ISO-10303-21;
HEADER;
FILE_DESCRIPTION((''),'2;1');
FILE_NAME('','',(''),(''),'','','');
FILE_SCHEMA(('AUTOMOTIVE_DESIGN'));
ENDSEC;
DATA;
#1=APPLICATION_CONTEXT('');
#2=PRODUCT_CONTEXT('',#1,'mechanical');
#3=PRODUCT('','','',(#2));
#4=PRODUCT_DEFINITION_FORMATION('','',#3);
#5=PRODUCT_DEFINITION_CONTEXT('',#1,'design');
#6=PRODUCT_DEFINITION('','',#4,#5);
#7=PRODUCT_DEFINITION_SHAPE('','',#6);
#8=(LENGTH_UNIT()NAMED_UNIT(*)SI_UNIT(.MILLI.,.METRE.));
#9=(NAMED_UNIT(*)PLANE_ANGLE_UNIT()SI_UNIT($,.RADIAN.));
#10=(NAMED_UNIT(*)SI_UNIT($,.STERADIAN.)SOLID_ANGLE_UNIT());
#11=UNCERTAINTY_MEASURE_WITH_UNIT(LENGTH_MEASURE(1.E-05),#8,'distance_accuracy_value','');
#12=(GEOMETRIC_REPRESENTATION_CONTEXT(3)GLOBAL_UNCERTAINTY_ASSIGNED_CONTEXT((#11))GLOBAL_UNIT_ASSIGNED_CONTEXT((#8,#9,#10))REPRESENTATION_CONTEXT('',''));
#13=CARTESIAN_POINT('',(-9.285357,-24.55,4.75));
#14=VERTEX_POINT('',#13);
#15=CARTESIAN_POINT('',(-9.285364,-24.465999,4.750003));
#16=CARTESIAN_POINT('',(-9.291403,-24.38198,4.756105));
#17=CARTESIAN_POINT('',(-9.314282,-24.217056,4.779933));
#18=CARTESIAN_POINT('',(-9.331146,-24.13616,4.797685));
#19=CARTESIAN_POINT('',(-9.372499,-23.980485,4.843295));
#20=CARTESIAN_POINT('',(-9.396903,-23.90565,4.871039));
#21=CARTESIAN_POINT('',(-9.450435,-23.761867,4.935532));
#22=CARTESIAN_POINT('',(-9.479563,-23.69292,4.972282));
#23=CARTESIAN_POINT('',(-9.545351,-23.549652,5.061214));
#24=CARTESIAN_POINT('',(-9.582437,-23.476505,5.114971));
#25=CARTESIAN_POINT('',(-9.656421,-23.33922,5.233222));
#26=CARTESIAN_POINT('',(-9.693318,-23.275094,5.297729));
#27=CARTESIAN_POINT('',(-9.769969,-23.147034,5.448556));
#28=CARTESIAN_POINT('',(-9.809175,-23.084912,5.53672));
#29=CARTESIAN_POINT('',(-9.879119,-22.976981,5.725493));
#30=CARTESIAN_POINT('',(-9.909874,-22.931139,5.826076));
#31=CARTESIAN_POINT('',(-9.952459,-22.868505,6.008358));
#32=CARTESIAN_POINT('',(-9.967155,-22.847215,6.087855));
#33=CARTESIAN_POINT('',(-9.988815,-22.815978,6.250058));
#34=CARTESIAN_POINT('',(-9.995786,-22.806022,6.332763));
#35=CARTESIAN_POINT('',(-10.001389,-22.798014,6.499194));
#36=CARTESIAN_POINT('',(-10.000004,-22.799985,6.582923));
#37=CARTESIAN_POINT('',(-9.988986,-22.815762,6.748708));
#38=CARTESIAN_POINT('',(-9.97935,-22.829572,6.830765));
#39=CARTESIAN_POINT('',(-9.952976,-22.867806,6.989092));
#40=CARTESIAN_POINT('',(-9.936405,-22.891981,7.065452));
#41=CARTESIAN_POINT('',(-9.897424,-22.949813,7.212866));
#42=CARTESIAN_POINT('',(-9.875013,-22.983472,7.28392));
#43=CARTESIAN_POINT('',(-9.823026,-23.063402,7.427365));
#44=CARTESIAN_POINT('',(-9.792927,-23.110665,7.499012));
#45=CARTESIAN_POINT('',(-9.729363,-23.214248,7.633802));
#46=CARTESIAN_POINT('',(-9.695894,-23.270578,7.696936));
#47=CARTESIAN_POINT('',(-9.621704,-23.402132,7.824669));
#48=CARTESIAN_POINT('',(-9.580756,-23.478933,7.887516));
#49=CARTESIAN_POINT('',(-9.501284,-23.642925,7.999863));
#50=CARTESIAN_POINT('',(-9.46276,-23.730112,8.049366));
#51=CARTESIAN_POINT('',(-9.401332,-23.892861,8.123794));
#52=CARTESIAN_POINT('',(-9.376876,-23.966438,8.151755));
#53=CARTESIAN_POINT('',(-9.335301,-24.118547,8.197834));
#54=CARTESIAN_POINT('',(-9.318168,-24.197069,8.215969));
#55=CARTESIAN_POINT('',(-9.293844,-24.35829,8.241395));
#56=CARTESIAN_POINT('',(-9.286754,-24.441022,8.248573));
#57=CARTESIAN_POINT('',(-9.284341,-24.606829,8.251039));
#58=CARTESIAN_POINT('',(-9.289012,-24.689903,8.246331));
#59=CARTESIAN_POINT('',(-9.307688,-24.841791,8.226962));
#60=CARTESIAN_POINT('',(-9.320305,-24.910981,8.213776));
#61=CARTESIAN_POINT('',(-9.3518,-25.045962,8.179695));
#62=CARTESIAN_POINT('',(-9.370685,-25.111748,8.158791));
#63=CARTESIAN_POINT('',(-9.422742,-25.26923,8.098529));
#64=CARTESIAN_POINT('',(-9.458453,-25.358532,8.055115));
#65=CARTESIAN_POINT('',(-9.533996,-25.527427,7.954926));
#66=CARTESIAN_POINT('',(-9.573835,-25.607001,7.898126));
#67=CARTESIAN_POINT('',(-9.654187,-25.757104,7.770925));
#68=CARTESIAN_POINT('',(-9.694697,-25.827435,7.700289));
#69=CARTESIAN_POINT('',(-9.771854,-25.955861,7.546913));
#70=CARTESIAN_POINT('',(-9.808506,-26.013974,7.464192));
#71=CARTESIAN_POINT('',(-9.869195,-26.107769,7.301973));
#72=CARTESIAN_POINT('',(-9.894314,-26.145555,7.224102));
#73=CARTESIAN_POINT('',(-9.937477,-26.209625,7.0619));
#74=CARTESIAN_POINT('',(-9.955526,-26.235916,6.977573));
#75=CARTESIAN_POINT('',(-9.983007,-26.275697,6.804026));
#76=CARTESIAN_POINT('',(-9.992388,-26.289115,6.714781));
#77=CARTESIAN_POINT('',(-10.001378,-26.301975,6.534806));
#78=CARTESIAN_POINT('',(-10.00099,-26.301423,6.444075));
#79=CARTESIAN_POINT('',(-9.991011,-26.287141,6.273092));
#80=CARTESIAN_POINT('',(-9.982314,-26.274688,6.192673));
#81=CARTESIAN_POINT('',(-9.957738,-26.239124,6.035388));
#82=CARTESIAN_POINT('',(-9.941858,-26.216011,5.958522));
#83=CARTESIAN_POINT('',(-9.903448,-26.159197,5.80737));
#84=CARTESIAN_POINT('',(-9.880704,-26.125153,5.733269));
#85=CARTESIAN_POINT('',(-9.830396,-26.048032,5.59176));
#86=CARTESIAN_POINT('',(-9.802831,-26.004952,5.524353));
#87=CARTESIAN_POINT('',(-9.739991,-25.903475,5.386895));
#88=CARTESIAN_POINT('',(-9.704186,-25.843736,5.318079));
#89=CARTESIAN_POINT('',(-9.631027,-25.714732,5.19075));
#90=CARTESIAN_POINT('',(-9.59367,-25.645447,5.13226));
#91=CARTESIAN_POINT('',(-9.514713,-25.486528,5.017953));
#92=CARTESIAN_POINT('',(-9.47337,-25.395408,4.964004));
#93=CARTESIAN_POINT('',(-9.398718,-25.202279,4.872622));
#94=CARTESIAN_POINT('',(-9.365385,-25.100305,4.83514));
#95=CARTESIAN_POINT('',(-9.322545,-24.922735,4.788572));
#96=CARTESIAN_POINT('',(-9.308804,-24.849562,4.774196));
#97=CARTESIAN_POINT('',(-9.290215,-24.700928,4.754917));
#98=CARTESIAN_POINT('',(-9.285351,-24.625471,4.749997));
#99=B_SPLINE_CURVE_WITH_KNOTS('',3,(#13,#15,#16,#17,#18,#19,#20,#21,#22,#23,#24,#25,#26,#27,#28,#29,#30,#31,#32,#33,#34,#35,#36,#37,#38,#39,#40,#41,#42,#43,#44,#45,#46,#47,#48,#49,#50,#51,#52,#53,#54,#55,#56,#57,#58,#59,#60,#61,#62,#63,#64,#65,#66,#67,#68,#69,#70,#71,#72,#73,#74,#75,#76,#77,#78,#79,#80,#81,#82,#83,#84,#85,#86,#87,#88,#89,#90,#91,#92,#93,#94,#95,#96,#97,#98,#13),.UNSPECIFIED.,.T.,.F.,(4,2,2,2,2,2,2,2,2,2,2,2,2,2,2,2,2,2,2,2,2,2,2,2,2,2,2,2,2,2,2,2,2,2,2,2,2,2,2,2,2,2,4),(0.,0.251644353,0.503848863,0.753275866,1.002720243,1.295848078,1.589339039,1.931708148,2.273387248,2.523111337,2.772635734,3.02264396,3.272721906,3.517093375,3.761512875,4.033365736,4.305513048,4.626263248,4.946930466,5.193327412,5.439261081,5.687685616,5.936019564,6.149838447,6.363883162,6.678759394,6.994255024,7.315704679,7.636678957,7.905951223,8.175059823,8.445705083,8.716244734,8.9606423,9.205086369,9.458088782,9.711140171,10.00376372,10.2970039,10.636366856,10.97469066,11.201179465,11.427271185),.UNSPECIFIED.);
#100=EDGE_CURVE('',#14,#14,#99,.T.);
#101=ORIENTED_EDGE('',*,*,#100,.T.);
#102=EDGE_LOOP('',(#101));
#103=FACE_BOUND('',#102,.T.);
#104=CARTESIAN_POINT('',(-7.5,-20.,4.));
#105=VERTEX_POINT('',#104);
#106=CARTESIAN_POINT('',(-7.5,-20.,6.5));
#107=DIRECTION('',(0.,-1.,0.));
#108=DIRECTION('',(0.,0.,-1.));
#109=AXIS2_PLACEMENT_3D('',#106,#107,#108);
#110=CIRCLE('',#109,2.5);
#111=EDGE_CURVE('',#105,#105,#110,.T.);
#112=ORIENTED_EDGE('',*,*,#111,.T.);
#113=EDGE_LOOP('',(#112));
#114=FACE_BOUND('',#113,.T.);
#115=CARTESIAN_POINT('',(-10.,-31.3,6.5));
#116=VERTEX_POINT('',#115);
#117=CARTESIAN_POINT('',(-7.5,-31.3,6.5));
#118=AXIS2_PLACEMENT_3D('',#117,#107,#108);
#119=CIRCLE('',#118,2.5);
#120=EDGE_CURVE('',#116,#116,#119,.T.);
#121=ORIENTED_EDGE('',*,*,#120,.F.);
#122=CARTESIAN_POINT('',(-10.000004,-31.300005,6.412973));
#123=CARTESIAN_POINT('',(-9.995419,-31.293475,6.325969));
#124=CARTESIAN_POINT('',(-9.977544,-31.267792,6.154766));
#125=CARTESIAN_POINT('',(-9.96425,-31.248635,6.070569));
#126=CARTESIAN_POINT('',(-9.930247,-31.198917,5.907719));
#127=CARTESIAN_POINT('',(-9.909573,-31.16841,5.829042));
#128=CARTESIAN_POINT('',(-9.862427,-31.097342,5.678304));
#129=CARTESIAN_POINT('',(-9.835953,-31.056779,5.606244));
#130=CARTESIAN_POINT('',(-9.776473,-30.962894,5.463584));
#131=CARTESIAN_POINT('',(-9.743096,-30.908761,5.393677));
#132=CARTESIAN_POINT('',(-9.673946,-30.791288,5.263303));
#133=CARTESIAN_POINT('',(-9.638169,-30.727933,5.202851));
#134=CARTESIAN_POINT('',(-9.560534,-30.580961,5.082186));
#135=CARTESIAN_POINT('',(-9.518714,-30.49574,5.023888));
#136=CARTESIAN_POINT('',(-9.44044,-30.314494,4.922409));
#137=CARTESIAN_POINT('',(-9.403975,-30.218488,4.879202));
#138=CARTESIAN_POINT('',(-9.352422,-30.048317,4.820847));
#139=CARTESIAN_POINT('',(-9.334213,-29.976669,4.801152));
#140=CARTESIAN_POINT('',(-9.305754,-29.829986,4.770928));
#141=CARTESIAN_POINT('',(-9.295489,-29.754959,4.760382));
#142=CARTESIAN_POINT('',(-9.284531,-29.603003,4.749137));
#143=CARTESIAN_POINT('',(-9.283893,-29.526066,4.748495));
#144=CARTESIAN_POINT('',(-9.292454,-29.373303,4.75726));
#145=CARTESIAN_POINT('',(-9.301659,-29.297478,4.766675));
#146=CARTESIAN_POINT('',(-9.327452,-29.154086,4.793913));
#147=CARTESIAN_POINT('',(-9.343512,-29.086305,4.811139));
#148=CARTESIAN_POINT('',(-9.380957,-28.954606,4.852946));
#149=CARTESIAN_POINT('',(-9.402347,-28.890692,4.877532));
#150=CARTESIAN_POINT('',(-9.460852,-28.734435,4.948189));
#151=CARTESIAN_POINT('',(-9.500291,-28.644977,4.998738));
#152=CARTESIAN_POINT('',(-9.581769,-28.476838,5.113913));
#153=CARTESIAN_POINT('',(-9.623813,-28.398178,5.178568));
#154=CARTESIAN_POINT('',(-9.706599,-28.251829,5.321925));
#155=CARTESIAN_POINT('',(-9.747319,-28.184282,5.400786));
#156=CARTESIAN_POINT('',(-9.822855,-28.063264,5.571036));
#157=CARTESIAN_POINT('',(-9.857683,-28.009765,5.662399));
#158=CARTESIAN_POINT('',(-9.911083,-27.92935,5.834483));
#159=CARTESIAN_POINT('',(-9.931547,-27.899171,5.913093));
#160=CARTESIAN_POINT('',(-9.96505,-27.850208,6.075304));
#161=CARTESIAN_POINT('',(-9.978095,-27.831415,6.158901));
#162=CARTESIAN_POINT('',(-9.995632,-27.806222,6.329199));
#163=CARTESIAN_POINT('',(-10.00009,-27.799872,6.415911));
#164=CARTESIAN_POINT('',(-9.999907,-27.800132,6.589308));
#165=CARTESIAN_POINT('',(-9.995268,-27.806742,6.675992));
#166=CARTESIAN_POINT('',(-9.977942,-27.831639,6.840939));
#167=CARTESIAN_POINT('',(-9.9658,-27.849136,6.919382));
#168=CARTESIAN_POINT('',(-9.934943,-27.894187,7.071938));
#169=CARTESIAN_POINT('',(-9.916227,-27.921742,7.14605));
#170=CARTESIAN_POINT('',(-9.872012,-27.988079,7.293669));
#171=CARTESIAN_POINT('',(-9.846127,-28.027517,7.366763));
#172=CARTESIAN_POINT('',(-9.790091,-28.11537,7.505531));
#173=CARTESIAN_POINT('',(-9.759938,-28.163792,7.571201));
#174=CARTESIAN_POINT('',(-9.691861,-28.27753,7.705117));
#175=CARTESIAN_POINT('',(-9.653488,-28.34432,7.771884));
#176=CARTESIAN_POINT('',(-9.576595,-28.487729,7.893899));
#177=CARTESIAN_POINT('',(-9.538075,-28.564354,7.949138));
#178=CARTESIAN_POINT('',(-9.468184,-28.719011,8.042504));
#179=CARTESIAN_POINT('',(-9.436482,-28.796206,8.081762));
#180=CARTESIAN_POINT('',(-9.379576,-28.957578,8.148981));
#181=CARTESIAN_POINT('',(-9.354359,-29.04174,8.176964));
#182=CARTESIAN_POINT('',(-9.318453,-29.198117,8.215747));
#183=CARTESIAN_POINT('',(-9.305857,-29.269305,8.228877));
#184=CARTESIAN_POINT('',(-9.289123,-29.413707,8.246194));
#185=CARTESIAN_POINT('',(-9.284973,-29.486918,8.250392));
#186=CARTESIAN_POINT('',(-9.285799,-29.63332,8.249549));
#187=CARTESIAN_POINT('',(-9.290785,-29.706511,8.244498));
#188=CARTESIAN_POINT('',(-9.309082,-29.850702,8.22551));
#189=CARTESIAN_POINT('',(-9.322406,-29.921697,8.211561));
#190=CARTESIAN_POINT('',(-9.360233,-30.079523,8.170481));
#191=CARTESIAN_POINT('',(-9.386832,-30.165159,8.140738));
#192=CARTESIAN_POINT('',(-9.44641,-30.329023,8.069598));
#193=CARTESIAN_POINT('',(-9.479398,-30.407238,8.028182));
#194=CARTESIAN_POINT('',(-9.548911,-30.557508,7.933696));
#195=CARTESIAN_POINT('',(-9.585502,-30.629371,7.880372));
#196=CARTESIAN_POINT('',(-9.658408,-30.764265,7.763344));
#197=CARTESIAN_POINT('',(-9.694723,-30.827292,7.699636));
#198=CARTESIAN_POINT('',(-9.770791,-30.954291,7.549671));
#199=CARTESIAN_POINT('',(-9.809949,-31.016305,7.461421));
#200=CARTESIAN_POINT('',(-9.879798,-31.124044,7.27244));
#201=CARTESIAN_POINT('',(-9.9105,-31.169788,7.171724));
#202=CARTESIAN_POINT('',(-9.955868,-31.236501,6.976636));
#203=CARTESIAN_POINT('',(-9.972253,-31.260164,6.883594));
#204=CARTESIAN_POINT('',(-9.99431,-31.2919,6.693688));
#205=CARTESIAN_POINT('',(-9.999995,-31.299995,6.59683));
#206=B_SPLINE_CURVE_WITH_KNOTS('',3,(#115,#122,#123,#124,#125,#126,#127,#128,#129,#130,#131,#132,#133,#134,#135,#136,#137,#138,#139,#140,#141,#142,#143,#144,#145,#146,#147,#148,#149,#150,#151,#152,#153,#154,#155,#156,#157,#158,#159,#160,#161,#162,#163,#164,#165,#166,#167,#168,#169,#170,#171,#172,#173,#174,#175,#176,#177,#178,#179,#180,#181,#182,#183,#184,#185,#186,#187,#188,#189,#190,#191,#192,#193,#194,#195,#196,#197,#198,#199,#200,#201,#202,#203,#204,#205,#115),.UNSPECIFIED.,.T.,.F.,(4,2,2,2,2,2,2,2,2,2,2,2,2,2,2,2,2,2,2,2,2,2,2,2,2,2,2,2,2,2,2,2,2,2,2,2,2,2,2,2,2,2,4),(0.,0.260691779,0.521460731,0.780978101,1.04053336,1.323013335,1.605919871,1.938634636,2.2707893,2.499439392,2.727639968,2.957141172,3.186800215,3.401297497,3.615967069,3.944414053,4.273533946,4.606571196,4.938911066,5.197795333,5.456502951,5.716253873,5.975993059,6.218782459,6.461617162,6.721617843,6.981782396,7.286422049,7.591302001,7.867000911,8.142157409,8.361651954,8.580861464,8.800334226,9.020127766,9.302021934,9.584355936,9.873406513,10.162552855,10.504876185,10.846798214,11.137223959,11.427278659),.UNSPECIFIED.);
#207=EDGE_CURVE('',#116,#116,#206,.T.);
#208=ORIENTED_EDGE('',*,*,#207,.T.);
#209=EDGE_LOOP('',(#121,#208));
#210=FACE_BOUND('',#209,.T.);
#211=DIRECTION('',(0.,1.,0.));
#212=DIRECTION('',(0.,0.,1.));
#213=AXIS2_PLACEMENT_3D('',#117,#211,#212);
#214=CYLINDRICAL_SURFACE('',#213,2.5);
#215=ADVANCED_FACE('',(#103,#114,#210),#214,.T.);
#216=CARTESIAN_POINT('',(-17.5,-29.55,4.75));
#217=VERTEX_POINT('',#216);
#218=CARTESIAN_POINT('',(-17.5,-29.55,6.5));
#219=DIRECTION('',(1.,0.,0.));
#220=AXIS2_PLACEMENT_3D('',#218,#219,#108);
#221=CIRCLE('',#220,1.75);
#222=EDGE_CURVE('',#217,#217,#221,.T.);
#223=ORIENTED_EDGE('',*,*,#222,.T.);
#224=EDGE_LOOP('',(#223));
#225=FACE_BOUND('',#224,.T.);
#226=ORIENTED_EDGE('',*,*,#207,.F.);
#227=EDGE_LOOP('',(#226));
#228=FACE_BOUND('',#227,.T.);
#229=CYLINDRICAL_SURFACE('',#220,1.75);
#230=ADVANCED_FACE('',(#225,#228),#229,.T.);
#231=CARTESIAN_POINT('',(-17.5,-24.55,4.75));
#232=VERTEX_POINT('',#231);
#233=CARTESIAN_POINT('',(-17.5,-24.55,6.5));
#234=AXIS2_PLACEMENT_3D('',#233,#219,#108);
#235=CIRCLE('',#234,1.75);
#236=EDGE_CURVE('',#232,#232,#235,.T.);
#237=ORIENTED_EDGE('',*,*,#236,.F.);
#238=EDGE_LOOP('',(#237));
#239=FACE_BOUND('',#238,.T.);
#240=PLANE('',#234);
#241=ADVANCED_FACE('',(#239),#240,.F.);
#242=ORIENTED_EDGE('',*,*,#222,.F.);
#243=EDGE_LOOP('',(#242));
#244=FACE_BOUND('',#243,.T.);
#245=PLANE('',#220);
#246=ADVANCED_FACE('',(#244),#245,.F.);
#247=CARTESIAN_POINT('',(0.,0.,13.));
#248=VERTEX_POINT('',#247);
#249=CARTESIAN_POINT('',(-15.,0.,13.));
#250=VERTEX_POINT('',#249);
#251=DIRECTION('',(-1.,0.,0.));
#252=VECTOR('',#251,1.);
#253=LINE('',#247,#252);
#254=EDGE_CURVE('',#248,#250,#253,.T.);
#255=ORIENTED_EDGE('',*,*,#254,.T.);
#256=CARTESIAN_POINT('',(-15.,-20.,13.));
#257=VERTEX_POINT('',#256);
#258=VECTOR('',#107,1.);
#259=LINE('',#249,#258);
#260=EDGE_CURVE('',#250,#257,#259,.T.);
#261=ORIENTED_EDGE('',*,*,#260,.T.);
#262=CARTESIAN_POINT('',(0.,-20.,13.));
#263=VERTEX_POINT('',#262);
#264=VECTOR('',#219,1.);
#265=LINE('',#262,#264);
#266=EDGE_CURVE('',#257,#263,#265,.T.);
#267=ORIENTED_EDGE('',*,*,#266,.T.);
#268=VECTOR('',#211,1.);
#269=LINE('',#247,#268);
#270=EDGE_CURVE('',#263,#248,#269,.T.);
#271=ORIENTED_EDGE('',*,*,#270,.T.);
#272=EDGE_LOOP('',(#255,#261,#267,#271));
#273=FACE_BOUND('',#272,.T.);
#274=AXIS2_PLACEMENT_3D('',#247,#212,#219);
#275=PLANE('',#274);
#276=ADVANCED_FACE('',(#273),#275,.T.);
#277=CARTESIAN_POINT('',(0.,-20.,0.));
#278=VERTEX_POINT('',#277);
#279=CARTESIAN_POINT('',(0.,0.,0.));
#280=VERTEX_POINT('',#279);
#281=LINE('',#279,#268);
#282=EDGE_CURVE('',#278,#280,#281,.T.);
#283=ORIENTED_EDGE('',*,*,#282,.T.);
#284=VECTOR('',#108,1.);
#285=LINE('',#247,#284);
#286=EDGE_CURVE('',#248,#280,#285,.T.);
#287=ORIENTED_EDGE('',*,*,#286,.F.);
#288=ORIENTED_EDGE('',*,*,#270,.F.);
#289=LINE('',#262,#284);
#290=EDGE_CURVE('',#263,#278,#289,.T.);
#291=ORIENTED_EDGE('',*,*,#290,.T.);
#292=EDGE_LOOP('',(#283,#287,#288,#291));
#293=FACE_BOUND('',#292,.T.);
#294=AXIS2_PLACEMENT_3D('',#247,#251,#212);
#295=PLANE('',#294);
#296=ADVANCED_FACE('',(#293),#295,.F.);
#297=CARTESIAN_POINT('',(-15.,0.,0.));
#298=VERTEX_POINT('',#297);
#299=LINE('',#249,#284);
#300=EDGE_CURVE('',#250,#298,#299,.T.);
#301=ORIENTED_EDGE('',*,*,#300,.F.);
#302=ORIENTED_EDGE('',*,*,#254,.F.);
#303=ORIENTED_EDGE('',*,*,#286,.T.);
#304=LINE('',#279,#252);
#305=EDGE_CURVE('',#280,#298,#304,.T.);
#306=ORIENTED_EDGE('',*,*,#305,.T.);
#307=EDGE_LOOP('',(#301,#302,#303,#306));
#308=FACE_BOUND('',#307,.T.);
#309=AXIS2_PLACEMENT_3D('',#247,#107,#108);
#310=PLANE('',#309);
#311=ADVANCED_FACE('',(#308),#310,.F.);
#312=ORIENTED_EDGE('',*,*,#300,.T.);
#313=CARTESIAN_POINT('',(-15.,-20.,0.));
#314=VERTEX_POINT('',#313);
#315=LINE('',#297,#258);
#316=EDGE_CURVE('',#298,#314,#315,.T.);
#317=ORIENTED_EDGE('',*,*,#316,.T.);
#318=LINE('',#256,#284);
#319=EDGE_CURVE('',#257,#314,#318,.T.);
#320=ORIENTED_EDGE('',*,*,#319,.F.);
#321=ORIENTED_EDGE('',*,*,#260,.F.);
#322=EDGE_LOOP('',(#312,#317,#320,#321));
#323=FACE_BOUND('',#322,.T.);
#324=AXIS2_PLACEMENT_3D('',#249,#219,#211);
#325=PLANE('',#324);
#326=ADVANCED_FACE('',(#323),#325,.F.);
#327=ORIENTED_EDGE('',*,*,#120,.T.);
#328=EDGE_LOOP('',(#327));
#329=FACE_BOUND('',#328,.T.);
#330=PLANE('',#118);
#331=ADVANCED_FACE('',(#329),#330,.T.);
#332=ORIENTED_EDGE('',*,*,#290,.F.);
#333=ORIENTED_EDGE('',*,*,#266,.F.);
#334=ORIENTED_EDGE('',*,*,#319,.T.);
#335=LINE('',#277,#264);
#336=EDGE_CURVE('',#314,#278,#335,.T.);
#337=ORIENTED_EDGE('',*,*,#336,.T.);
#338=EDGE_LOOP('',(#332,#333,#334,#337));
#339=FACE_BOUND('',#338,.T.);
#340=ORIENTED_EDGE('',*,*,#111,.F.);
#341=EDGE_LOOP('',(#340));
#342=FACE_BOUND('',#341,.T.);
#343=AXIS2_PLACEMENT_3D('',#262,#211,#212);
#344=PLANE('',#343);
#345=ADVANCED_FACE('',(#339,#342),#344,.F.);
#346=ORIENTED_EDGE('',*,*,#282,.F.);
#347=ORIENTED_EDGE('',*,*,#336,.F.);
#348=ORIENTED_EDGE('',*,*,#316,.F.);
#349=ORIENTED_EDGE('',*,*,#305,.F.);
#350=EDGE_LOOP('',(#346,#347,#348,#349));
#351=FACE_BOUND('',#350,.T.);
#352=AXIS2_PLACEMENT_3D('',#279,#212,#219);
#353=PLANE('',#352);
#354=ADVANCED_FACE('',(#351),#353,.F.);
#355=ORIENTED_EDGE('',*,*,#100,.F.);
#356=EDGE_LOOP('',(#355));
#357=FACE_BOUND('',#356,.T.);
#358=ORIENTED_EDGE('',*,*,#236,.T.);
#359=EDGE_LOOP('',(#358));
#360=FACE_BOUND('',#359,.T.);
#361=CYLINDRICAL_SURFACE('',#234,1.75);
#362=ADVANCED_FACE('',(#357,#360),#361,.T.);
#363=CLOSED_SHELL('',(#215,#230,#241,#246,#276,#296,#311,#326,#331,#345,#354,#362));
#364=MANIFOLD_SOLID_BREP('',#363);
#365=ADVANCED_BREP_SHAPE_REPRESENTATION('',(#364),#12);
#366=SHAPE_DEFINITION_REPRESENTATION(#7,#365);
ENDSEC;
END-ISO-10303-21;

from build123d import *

# Parameters (mm, degrees)
SKETCH1_W           = 20
SKETCH1_H           = 15
BOSS_EXTRUDE1_DEPTH = 13
SKETCH2_R           = 2.5
BOSS_EXTRUDE2_DEPTH = 11.3
BOSS_EXTRUDE3_START = -7.5
SKETCH3_R           = 1.75
BOSS_EXTRUDE3_DEPTH = 10


with BuildPart() as part:
    # Sketch1 → Boss-Extrude1 (new body)
    with BuildSketch(Plane(origin=(0, 0, 0), x_dir=(0, 1, 0), z_dir=(0, 0, 1))):
        with Locations((-10, 7.5)):
            Rectangle(SKETCH1_W, SKETCH1_H)
    extrude(amount=BOSS_EXTRUDE1_DEPTH)

    # Sketch2 → Boss-Extrude2 (add)
    with BuildSketch(Plane.XZ.offset(20)):
        with Locations((-7.5, 6.5)):
            Circle(SKETCH2_R)
    extrude(amount=BOSS_EXTRUDE2_DEPTH)

    # Sketch3 → Boss-Extrude3 (add)
    with BuildSketch(Plane.YZ.offset(BOSS_EXTRUDE3_START)):
        with Locations((-29.55, 6.5)):
            Circle(SKETCH3_R)
        with Locations((-24.55, 6.5)):
            Circle(SKETCH3_R)
    extrude(amount=-BOSS_EXTRUDE3_DEPTH)


solid = part.part
